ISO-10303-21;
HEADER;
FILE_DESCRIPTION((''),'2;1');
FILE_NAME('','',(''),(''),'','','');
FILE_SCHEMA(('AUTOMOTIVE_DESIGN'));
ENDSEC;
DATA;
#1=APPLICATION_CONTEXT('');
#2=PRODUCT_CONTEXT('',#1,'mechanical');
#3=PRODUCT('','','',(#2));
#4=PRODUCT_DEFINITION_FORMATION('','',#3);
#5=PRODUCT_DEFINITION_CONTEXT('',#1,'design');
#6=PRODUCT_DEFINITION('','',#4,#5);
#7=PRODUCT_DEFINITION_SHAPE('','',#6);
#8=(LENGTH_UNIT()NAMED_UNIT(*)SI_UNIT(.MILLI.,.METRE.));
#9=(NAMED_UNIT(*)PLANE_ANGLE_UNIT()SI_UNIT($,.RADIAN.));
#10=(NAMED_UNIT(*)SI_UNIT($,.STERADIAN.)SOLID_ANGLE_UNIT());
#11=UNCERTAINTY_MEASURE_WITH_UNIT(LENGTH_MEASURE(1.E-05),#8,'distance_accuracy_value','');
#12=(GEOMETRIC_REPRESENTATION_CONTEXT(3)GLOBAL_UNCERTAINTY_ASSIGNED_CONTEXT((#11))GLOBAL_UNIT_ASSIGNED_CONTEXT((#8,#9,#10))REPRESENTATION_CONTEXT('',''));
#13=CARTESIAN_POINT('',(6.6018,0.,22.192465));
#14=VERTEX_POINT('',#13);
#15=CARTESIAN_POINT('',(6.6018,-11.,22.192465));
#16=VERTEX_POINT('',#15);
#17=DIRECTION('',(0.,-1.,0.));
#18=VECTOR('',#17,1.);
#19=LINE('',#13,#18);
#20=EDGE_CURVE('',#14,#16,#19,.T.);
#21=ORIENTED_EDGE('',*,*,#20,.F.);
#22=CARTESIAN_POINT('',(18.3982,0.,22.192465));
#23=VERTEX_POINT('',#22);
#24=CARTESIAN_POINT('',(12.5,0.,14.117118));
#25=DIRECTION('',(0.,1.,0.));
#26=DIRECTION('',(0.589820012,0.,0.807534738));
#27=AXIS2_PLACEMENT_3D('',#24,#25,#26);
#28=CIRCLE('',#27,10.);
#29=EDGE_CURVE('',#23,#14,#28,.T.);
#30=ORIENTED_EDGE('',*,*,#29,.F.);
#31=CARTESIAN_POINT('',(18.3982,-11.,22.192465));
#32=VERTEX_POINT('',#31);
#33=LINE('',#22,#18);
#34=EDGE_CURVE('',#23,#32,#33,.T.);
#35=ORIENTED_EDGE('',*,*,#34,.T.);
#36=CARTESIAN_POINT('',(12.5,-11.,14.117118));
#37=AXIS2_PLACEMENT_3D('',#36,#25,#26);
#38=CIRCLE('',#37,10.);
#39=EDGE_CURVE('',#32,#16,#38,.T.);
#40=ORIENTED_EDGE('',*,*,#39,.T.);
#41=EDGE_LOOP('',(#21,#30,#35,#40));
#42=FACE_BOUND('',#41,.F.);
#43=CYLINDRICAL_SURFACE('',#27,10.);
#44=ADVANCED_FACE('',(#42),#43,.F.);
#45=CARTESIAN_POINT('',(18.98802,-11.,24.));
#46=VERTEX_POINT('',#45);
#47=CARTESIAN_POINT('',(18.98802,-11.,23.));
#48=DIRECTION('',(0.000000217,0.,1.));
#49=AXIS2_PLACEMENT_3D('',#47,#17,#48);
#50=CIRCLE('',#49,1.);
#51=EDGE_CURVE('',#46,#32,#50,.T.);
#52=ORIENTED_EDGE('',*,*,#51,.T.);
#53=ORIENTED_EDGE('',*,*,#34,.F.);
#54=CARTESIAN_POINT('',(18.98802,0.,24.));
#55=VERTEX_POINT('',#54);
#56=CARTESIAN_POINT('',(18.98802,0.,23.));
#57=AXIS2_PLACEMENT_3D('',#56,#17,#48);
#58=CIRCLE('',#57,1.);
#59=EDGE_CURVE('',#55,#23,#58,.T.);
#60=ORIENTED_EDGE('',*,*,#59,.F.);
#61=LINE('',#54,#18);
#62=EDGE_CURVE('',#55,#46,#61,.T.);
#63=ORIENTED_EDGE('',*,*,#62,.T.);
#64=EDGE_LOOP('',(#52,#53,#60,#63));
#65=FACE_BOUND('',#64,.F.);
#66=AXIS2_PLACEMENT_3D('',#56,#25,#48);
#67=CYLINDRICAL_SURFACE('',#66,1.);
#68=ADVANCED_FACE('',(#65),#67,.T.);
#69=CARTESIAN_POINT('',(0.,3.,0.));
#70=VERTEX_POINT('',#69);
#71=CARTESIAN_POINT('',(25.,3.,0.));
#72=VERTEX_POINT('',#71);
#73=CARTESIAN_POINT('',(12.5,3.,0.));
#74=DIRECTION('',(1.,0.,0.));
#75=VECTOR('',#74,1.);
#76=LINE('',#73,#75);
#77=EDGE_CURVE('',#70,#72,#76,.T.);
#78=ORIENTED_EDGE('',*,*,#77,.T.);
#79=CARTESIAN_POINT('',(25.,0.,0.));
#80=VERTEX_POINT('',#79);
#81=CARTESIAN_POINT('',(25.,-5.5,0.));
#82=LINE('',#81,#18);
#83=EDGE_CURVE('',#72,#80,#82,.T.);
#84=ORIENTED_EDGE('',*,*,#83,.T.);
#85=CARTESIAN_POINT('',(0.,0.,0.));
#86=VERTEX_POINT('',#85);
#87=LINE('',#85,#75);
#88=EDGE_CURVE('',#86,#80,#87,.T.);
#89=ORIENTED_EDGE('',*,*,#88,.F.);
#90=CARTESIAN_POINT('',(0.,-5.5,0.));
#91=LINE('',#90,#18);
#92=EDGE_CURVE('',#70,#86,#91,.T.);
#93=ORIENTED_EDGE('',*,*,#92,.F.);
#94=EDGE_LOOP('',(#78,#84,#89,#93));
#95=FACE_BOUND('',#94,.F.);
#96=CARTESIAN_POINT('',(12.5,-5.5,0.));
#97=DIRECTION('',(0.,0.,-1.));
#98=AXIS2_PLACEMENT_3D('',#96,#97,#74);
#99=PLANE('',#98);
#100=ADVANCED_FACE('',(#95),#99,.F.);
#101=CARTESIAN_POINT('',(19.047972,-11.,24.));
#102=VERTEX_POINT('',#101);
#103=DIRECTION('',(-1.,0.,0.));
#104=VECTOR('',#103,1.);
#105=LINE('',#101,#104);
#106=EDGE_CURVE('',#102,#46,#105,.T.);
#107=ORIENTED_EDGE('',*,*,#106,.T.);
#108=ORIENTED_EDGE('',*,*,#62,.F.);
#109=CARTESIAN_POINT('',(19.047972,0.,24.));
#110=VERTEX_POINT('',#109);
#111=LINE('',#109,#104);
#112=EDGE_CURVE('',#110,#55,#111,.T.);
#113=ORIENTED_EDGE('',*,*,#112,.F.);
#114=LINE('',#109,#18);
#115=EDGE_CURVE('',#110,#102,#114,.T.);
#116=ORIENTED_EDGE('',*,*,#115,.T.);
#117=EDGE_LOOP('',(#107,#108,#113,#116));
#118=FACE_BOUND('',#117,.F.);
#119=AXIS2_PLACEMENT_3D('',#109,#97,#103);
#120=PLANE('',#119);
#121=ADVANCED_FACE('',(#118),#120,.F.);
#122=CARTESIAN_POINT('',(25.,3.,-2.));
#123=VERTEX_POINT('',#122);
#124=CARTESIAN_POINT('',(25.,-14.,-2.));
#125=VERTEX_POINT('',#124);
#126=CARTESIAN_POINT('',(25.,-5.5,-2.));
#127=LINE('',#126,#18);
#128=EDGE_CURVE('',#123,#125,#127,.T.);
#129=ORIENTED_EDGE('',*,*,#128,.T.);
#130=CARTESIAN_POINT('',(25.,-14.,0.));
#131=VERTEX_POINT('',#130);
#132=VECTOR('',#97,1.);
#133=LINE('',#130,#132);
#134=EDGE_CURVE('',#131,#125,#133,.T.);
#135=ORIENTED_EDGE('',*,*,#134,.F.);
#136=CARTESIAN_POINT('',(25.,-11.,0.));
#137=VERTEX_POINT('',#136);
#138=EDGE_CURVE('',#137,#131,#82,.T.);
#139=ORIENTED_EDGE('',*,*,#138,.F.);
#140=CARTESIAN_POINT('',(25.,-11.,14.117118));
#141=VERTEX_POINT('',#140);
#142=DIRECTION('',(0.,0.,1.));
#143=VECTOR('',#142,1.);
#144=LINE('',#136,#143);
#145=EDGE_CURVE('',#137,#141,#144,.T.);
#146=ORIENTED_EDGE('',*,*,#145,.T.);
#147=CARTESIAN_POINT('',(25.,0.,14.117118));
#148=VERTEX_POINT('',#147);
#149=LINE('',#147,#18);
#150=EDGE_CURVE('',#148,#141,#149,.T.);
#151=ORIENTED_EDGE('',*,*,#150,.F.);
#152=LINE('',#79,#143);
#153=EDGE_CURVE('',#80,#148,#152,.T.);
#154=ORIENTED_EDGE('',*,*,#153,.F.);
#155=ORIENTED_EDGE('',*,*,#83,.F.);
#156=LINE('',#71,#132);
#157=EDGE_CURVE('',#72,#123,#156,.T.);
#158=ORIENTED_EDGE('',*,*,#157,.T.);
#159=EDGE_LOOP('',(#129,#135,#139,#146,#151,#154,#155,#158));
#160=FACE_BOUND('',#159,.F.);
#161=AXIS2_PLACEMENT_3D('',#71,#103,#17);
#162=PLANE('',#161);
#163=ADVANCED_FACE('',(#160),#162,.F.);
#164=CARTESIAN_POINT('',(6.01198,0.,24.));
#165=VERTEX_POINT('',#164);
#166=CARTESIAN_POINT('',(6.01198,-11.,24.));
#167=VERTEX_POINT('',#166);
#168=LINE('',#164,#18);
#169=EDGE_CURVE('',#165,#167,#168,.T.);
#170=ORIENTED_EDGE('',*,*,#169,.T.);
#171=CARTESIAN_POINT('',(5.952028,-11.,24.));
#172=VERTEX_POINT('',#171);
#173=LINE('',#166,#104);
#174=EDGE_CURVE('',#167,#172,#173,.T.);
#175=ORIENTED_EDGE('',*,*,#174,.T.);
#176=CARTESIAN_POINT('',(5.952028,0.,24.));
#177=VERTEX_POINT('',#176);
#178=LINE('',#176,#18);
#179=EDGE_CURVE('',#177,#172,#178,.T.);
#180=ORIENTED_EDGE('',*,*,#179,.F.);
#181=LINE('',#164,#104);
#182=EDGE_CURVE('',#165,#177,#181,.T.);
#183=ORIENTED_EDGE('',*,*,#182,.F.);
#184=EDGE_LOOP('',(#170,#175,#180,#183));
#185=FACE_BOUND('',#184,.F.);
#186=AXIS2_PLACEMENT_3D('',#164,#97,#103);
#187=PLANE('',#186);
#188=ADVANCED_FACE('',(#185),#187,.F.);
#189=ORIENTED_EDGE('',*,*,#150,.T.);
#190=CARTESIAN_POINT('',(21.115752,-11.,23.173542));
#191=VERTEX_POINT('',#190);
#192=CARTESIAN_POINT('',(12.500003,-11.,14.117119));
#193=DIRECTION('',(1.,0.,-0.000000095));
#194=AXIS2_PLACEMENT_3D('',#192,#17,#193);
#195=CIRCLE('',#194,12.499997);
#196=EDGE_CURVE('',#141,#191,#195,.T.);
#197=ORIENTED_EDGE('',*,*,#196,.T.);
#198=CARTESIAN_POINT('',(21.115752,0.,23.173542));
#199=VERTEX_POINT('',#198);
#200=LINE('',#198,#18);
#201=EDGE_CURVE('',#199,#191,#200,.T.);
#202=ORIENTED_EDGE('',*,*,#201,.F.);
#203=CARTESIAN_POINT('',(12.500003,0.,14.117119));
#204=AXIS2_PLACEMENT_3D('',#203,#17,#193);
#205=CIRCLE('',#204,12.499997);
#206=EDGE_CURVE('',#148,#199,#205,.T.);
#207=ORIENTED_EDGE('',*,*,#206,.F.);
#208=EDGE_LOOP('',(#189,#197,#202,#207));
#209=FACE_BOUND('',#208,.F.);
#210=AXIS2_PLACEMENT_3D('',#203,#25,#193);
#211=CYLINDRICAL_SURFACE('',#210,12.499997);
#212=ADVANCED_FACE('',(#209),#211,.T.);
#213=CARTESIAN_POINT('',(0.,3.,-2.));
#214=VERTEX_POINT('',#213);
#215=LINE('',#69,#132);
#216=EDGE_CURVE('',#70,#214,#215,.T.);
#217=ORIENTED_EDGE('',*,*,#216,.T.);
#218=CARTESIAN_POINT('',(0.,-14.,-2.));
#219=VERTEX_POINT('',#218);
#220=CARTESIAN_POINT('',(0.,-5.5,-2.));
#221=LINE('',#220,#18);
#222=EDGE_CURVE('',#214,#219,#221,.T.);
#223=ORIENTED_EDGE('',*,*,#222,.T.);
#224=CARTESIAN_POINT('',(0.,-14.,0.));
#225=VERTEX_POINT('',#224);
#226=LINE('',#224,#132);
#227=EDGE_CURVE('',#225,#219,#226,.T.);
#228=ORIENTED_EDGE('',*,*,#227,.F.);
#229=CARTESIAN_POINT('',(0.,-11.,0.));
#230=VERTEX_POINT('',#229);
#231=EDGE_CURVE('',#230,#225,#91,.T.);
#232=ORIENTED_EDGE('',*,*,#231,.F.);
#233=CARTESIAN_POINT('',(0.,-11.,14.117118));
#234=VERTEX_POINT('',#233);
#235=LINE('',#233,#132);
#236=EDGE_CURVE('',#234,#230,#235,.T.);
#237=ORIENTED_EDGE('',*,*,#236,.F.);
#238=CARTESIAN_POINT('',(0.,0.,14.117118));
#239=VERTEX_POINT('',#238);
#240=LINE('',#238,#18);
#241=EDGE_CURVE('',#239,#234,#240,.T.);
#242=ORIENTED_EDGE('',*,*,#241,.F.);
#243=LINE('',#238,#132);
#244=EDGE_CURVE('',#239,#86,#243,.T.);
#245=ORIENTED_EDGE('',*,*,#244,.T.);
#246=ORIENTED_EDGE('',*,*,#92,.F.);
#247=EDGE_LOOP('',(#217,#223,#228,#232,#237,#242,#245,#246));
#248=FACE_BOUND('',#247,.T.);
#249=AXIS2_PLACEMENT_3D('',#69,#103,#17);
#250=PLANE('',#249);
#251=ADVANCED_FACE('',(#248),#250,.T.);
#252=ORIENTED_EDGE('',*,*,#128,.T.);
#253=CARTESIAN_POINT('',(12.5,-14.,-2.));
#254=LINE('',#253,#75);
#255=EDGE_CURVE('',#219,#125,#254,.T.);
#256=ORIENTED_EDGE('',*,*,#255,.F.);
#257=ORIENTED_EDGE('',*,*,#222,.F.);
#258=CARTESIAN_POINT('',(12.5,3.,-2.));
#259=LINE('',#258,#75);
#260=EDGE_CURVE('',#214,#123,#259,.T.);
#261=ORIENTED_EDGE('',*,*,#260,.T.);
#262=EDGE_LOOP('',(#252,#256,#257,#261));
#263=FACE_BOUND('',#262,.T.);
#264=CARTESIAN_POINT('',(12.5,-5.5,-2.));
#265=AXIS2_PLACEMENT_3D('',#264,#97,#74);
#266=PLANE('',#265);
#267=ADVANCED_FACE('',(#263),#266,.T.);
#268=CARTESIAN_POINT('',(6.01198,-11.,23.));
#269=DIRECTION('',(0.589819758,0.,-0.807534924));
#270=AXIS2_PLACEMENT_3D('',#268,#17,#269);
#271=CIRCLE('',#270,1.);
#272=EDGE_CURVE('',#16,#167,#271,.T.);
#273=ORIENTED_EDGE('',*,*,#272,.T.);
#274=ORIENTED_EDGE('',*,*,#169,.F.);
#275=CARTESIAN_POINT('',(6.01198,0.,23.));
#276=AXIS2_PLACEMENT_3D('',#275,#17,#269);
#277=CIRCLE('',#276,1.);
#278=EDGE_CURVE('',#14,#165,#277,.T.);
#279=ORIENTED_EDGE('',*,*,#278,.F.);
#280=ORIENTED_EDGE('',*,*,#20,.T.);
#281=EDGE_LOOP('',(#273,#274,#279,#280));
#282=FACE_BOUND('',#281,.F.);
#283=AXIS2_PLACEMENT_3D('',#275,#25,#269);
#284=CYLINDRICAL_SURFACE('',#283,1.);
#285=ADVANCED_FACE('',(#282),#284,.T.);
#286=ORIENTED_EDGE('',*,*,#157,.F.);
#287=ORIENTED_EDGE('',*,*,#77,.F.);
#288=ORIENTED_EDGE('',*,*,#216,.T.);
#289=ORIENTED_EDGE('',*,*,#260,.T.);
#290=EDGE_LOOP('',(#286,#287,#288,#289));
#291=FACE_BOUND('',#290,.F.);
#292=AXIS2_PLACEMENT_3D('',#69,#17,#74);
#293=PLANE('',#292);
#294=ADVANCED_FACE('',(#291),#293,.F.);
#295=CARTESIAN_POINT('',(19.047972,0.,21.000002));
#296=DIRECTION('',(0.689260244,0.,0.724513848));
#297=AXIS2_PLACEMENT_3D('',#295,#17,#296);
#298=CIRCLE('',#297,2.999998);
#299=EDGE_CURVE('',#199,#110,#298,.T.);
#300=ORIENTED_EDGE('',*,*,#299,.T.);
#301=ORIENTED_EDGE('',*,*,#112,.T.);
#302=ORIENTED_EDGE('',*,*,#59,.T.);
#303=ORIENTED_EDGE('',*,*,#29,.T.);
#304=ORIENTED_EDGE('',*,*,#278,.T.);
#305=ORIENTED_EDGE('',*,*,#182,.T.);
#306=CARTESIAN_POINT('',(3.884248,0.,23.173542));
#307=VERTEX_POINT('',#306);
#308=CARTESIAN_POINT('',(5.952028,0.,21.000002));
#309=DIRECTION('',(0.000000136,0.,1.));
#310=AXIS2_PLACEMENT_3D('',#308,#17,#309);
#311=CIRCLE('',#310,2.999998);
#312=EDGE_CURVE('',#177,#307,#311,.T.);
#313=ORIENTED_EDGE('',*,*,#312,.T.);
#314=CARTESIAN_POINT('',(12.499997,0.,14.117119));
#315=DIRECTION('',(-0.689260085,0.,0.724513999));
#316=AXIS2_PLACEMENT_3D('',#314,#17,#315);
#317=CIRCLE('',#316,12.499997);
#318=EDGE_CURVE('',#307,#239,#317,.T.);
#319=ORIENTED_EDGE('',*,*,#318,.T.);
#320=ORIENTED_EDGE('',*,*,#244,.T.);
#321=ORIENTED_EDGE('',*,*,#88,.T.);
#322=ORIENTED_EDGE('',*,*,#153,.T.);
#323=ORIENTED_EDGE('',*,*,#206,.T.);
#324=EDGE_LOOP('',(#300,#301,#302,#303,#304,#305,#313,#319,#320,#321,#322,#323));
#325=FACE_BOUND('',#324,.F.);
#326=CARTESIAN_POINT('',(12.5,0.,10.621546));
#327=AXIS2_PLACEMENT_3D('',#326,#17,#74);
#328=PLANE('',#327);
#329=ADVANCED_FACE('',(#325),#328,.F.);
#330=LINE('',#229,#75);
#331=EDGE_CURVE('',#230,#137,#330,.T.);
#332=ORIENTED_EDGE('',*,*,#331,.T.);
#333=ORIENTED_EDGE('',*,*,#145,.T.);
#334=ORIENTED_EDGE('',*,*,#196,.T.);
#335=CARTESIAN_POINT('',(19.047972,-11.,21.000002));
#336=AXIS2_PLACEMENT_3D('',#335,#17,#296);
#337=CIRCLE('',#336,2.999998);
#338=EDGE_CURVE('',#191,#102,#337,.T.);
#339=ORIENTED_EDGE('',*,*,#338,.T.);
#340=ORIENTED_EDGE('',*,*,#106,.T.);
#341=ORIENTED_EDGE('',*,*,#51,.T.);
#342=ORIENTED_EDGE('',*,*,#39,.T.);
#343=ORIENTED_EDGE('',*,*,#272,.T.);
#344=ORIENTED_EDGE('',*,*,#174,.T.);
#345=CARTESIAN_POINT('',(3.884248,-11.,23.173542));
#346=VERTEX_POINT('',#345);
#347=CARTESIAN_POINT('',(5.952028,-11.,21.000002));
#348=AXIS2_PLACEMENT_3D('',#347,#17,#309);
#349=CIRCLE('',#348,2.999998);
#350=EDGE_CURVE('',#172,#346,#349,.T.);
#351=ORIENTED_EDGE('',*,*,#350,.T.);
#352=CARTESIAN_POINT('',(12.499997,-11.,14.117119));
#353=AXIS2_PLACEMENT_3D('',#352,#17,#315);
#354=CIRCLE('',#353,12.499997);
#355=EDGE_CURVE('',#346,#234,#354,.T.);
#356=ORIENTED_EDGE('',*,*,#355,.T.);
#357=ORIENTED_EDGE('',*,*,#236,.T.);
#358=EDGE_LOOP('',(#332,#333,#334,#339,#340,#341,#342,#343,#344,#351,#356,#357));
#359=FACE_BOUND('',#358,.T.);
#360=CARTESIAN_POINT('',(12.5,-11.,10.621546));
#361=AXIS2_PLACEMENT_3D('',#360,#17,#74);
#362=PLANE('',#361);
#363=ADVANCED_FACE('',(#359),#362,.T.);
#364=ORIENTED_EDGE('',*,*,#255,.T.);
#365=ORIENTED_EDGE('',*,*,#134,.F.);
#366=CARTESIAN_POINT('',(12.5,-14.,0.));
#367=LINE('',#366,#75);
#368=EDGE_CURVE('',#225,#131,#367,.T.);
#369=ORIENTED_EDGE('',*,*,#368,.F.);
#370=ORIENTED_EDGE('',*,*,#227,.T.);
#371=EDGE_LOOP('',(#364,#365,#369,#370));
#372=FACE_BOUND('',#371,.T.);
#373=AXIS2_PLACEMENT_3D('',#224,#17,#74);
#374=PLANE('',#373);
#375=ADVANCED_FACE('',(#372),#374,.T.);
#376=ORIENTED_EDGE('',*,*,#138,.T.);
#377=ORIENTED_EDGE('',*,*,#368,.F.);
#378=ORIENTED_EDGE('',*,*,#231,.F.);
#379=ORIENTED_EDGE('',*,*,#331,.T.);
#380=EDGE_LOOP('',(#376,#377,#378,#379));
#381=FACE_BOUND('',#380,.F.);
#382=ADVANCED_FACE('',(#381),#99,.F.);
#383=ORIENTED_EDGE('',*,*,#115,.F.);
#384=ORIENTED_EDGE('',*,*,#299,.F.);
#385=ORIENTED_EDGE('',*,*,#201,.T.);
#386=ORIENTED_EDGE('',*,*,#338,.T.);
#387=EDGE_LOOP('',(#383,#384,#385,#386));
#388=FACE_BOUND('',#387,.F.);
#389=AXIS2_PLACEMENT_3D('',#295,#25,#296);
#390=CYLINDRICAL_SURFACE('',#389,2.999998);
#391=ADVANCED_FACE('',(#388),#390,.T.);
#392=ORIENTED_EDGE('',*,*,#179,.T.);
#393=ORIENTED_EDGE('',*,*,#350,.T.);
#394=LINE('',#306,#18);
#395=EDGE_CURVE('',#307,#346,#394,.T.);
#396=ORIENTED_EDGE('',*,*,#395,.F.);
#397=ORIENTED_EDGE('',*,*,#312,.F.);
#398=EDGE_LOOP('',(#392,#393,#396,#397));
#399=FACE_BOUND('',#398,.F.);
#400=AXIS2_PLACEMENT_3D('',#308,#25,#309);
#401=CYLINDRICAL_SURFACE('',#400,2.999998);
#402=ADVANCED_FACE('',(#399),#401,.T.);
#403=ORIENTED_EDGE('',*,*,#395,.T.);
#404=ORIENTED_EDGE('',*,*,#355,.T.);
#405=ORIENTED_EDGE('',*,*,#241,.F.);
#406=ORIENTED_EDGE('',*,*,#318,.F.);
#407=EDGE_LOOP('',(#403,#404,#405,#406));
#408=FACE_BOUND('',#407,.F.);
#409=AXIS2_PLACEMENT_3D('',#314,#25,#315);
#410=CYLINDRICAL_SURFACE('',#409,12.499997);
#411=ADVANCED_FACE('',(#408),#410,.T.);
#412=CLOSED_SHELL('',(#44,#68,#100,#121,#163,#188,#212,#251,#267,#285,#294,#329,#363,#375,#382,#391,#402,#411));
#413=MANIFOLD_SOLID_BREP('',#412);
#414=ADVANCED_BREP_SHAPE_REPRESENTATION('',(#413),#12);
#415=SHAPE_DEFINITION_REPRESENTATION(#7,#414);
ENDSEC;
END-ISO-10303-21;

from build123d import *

# Parameters (mm, degrees)
F1_DEPTH = 11
F2_W     = 25
F2_H     = 17
F3_DEPTH = 2


with BuildPart() as f1:
    # F0 (on Front) → F1 (new body)
    with BuildSketch(Plane.XZ):
        with BuildLine():
            Line((0, 14.117118), (0, 0))
            Line((0, 0), (25, 0))
            Line((25, 0), (25, 14.117118))
            ThreePointArc((25, 14.117118), (23.98797, 19.044242), (21.115752, 23.173542))
            ThreePointArc((21.115752, 23.173542), (20.161384, 23.785734), (19.047972, 24))
            Line((19.047972, 24), (18.98802, 24))
            ThreePointArc((18.98802, 24), (18.037353, 23.310214), (18.3982, 22.192465))
            ThreePointArc((18.3982, 22.192465), (12.5, 4.117118), (6.6018, 22.192465))
            ThreePointArc((6.6018, 22.192465), (6.962647, 23.310214), (6.01198, 24))
            Line((6.01198, 24), (5.952028, 24))
            ThreePointArc((5.952028, 24), (4.838616, 23.785734), (3.884248, 23.173542))
            ThreePointArc((3.884248, 23.173542), (1.01203, 19.044242), (0, 14.117118))
        make_face()
    extrude(amount=F1_DEPTH)

    # F2 (on face) → F3 (join)
    with BuildSketch(Plane(origin=(0, 0, 0), x_dir=(1, 0, 0), z_dir=(0, 0, -1))):
        with Locations((12.5, 5.5)):
            Rectangle(F2_W, F2_H)
    extrude(amount=F3_DEPTH)


solid = f1.part
